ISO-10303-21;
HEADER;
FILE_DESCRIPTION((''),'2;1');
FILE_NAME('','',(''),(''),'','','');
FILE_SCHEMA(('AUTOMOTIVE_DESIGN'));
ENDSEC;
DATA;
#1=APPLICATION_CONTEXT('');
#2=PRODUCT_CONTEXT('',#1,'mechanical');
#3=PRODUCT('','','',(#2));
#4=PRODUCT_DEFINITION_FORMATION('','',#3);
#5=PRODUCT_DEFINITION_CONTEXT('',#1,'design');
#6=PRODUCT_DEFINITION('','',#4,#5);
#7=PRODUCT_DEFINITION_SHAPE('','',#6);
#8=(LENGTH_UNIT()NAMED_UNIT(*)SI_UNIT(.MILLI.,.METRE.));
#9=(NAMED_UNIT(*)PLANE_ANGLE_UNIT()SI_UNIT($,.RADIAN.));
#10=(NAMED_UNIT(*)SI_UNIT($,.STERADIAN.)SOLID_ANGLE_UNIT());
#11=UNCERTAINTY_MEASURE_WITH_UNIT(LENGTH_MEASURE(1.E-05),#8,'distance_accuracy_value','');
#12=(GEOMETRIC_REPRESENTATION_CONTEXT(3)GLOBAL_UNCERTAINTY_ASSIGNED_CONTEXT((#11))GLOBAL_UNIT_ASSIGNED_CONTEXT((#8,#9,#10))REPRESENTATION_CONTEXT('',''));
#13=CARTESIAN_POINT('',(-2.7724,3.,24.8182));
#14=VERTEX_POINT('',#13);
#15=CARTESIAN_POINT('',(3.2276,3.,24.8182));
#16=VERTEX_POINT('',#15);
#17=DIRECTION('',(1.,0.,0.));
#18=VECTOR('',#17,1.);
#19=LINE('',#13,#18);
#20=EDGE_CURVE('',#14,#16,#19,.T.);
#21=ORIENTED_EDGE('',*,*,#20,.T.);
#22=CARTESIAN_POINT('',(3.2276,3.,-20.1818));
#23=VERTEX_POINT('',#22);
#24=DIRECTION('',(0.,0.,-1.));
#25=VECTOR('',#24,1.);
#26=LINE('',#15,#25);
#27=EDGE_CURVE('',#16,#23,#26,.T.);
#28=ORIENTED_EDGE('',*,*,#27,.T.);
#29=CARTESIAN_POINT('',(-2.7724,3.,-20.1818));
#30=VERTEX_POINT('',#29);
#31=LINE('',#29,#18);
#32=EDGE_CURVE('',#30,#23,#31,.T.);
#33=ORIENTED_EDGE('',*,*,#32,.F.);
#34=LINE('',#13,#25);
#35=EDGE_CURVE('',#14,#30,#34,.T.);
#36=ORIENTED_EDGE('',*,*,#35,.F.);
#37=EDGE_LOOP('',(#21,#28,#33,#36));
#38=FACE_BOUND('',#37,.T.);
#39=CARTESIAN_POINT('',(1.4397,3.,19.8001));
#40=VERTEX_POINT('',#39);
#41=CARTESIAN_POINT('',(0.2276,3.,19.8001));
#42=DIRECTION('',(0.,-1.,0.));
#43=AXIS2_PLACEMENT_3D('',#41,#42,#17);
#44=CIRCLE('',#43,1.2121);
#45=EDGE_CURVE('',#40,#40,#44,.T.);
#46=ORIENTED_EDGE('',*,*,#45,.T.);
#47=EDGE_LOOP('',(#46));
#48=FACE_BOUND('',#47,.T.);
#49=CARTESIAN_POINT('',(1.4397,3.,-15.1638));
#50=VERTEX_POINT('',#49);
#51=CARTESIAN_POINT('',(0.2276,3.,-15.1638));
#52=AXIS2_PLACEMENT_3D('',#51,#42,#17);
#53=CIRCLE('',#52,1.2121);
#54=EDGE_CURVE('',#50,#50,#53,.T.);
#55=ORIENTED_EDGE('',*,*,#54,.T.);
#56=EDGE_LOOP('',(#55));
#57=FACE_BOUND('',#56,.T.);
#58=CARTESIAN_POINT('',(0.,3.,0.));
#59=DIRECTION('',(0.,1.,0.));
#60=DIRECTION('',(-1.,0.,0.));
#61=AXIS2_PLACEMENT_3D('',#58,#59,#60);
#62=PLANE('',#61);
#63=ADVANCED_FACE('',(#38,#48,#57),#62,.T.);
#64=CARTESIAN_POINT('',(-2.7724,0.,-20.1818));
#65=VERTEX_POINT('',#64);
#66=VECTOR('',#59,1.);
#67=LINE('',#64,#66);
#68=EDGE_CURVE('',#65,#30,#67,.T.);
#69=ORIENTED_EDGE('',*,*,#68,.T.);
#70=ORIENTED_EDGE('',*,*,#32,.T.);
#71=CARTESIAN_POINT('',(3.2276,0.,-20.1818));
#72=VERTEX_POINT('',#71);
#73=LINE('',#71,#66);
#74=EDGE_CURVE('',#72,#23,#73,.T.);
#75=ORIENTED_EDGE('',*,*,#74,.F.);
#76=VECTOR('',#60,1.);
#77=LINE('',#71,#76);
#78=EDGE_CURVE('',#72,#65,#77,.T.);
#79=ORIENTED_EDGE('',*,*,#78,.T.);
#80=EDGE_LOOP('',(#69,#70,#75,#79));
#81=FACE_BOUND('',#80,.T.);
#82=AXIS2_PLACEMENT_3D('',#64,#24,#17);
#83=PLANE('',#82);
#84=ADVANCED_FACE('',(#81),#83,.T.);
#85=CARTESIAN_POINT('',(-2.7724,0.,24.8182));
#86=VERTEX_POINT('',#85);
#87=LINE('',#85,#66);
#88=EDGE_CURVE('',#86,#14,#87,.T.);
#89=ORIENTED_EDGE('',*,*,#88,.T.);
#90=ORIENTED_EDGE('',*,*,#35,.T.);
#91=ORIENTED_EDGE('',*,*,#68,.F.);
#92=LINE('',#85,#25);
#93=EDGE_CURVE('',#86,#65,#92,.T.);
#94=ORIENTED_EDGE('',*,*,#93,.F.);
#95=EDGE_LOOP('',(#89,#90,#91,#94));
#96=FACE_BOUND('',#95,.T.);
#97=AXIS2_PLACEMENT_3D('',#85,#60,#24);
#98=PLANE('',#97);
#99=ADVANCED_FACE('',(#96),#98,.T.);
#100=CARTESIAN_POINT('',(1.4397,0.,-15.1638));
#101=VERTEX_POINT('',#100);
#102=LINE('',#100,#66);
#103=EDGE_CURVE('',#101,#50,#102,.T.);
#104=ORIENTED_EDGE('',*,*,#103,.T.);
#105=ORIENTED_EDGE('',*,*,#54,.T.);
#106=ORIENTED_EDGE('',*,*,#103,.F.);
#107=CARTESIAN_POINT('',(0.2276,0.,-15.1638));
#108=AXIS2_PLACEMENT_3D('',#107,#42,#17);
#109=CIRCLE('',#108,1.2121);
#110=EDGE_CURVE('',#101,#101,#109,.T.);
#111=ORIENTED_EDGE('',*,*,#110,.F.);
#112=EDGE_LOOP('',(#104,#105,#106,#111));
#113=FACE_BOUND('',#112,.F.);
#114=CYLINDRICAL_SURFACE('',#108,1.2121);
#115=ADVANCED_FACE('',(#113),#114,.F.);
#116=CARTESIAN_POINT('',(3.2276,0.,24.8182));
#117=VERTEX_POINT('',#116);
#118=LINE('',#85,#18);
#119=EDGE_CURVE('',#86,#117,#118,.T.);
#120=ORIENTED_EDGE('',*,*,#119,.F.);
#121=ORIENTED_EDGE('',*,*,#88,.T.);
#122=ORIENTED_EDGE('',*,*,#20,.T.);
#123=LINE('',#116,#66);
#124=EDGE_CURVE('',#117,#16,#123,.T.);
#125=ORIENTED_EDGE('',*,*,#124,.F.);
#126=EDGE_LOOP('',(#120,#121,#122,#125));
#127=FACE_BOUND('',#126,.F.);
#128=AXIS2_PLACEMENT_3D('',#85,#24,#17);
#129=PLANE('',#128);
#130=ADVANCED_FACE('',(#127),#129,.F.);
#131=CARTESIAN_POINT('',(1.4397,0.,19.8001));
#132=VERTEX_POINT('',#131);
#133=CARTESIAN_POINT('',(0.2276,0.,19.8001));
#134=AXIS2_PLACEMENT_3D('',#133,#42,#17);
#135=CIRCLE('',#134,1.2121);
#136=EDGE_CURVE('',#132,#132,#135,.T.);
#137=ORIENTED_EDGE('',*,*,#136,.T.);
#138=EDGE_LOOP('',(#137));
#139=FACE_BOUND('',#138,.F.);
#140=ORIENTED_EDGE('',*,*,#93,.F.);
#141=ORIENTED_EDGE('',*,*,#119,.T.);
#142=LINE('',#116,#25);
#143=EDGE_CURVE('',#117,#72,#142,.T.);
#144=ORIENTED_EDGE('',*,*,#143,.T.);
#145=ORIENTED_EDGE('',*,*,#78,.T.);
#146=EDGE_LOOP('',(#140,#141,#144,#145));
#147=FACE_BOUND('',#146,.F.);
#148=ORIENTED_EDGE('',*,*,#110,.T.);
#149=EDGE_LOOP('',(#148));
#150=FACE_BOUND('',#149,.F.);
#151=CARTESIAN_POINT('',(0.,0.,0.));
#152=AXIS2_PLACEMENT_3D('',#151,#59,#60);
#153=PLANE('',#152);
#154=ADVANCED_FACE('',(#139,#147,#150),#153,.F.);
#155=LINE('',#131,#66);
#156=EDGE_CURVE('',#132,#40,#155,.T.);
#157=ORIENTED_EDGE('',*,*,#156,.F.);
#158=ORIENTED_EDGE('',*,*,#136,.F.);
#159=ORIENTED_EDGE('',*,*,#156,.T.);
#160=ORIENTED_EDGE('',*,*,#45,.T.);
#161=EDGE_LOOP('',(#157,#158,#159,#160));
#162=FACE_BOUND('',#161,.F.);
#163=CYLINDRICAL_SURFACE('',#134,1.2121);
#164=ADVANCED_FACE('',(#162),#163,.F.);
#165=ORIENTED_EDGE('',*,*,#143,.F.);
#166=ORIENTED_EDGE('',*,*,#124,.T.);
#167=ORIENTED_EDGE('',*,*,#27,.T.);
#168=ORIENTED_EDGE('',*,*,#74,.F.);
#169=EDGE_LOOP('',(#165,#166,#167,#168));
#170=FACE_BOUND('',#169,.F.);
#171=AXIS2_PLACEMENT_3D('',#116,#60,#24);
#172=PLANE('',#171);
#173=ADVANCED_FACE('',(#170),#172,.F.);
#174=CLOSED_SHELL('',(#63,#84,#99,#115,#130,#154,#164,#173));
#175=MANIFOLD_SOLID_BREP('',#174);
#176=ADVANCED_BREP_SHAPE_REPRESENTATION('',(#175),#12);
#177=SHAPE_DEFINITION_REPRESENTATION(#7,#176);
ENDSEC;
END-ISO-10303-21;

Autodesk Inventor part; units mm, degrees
ref_plane "YZ Plane" through (0, 0, 0) normal (1, 0, 0) x (0, 1, 0)
ref_plane "XZ Plane" through (0, 0, 0) normal (0, 1, 0) x (-1, 0, 0)
ref_plane "XY Plane" through (0, 0, 0) normal (0, 0, 1) x (1, 0, 0)
sketch "Sketch1" plane through (0, 0, 0) normal (0, 1, 0) x (-1, 0, 0)
  point P0 (0, 0)
sketch "Sketch2" plane through (0, 0, 0) normal (0, 1, 0) x (-1, 0, 0)
  line L0 (2.7724, 24.8182) -> (-3.2276, 24.8182)
  line L1 (2.7724, 24.8182) -> (2.7724, -20.1818)
  line L2 (-3.2276, 24.8182) -> (-3.2276, -20.1818)
  line L3 (-3.2276, -20.1818) -> (-1.0276, -20.1818)
  line L4 (2.7724, -20.1818) -> (0.5724, -20.1818)
  line L5 (-1.0276, -20.1818) -> (0.5724, -20.1818)
  point P0 (0, 0)
  dimension "d0" = 6
  dimension "d1" = 45
  dimension "d2" = 45
  dimension "d3" = 2.2
  dimension "d4" = 2.2
extrude "Extrusion1" add sketch "Sketch2" along normal blind 3
sketch "Sketch4" plane through (0, 0, 0) normal (0, -1, 0) x (1, 0, 0)
  line L0 (-2.7724, 24.8182) -> (3.2276, 24.8182) projected
  circle A0 centre (0.2276, 19.8001) radius 1.2121
  line L1 (-2.7724, -20.1818) -> (-2.7724, 24.8182) projected
  circle A1 centre (0.2276, -15.1638) radius 1.2121
  point P0 (0, 0)
extrude "Extrusion3" cut sketch "Sketch4" against normal blind 10.9375 contours A0
extrude "Extrusion4" cut sketch "Sketch4" against normal blind 10.6375 contours A1
properties part number "LInk1"
